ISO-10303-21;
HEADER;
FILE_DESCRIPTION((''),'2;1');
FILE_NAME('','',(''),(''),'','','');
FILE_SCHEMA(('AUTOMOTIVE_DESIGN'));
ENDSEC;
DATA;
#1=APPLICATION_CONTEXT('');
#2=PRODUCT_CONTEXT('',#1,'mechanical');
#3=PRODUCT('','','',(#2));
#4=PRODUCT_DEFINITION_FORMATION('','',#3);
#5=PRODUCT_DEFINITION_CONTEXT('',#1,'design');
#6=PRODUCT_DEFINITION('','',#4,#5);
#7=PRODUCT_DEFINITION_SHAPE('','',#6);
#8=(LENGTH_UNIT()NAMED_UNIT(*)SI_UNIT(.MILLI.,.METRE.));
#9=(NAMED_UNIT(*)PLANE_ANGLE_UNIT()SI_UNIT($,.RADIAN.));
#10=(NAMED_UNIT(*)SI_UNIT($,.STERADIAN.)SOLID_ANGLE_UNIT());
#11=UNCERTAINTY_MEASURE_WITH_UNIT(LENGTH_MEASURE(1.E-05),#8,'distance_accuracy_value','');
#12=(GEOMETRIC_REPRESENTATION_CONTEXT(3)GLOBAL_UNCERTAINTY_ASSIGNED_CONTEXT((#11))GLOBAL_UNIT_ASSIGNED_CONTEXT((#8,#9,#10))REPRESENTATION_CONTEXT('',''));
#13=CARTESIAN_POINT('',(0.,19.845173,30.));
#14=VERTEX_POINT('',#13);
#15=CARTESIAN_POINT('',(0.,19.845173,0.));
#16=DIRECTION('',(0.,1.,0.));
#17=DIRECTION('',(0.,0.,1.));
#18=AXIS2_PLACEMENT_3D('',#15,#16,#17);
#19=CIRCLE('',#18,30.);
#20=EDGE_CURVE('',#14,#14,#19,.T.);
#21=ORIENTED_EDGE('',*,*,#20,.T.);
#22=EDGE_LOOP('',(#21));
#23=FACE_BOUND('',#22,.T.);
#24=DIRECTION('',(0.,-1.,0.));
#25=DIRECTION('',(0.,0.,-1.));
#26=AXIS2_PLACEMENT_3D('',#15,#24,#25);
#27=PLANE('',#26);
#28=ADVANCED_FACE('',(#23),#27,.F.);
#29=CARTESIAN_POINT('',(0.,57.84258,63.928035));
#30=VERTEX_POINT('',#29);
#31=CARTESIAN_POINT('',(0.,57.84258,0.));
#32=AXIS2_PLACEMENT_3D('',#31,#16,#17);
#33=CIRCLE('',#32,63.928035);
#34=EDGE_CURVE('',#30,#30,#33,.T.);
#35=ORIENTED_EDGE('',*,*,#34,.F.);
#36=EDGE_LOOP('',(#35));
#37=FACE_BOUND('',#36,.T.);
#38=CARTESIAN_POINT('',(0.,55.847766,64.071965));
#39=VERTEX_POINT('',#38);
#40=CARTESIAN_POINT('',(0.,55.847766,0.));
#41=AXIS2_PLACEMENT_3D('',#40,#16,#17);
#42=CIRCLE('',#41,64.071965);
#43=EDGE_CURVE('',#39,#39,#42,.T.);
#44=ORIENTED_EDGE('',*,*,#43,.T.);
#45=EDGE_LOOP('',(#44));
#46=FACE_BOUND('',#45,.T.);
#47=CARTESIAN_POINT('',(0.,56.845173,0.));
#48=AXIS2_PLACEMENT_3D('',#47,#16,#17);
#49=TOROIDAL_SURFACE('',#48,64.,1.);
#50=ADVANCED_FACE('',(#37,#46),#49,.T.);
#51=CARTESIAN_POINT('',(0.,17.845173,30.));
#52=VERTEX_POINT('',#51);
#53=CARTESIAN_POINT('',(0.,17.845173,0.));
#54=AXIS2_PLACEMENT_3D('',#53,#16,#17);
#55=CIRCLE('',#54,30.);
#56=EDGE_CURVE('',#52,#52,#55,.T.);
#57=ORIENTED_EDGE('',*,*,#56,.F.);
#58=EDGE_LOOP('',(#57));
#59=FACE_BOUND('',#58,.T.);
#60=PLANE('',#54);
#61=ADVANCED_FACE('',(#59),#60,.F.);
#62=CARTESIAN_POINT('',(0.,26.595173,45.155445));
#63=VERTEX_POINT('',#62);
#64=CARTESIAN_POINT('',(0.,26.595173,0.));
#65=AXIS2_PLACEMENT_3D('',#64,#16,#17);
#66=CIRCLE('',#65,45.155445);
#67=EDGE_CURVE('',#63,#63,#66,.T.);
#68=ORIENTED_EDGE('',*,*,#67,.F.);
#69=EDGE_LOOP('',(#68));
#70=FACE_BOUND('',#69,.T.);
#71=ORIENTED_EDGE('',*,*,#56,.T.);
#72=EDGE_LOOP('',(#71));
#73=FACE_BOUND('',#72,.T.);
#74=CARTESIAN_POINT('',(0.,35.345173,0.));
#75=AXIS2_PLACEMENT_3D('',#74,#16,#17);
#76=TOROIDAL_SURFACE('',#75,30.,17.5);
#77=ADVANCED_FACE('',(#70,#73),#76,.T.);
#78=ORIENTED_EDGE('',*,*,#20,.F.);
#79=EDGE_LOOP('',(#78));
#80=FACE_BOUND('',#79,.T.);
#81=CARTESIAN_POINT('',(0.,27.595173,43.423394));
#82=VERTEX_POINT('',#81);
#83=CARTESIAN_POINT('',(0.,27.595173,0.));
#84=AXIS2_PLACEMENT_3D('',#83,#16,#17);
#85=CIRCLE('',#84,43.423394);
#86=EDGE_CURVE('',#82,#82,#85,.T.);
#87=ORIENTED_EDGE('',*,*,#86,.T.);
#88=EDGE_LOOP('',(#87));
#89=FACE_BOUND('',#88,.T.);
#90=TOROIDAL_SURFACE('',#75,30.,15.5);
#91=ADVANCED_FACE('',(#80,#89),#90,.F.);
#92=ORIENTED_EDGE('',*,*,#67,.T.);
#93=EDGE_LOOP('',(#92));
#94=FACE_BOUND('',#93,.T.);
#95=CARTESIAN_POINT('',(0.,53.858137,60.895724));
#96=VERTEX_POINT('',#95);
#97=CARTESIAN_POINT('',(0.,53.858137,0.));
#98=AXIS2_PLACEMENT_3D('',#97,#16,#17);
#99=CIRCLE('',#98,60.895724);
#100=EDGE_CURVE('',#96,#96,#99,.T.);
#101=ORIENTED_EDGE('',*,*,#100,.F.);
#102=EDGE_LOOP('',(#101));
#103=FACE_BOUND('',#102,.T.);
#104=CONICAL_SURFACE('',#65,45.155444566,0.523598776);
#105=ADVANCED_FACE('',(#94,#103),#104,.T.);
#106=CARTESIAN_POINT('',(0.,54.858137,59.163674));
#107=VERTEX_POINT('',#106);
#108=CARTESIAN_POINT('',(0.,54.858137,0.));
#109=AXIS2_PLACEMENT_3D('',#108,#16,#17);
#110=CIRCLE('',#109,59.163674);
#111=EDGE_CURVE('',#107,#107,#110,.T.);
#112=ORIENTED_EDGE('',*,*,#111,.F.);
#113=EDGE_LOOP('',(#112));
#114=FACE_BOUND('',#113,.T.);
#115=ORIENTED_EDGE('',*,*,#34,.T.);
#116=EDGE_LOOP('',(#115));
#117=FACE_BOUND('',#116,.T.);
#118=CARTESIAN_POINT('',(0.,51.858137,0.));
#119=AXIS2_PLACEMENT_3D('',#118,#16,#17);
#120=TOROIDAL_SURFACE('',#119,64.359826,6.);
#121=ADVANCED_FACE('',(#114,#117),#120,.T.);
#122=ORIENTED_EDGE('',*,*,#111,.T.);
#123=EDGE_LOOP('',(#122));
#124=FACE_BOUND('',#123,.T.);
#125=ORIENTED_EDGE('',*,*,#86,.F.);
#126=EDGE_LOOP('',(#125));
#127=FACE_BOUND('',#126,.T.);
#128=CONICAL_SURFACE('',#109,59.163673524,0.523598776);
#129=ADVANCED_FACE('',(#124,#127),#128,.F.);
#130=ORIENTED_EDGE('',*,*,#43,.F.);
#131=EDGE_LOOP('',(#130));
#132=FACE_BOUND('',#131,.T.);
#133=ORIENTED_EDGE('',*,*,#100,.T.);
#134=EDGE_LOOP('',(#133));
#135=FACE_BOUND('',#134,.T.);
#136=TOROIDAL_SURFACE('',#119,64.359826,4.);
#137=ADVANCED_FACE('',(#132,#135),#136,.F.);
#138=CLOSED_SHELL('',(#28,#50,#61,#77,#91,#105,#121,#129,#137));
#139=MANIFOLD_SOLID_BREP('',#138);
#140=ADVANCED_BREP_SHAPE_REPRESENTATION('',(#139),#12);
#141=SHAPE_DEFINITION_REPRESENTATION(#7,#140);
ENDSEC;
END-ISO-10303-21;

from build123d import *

# Parameters (mm, degrees)
SCALE1_SCALE = 0.5


with BuildPart() as part:
    # Sketch1 → Revolve1 (revolve)
    with BuildSketch(Plane.XY):
        with BuildLine():
            Line((0, 0), (60, 0))
            ThreePointArc((60, 0), (77.5, 4.689110868), (90.310889132, 17.5))
            Line((90.310889132, 17.5), (121.791448663, 72.025928557))
            ThreePointArc((121.791448663, 72.025928557), (124.472789107, 74.805615606), (128.143930379, 76.005185711))
            ThreePointArc((128.143930379, 76.005185711), (129.994814289, 78.143930379), (127.856069621, 79.994814289))
            ThreePointArc((127.856069621, 79.994814289), (122.349357715, 78.19545913), (118.327347047, 74.025928557))
            Line((118.327347047, 74.025928557), (86.846787517, 19.5))
            ThreePointArc((86.846787517, 19.5), (75.5, 8.153212483), (60, 4))
            Line((60, 4), (0, 4))
            Line((0, 4), (0, 0))
        make_face()
    revolve(axis=Axis((0, 4, 0), (0, -1, 0)))


with BuildPart() as part_1:
    # Scale1: scaled about (0, 35.690345414, 0)
    add(part.part.scale(SCALE1_SCALE).moved(Location((0, 17.845172707, 0))))


solid = part_1.part
